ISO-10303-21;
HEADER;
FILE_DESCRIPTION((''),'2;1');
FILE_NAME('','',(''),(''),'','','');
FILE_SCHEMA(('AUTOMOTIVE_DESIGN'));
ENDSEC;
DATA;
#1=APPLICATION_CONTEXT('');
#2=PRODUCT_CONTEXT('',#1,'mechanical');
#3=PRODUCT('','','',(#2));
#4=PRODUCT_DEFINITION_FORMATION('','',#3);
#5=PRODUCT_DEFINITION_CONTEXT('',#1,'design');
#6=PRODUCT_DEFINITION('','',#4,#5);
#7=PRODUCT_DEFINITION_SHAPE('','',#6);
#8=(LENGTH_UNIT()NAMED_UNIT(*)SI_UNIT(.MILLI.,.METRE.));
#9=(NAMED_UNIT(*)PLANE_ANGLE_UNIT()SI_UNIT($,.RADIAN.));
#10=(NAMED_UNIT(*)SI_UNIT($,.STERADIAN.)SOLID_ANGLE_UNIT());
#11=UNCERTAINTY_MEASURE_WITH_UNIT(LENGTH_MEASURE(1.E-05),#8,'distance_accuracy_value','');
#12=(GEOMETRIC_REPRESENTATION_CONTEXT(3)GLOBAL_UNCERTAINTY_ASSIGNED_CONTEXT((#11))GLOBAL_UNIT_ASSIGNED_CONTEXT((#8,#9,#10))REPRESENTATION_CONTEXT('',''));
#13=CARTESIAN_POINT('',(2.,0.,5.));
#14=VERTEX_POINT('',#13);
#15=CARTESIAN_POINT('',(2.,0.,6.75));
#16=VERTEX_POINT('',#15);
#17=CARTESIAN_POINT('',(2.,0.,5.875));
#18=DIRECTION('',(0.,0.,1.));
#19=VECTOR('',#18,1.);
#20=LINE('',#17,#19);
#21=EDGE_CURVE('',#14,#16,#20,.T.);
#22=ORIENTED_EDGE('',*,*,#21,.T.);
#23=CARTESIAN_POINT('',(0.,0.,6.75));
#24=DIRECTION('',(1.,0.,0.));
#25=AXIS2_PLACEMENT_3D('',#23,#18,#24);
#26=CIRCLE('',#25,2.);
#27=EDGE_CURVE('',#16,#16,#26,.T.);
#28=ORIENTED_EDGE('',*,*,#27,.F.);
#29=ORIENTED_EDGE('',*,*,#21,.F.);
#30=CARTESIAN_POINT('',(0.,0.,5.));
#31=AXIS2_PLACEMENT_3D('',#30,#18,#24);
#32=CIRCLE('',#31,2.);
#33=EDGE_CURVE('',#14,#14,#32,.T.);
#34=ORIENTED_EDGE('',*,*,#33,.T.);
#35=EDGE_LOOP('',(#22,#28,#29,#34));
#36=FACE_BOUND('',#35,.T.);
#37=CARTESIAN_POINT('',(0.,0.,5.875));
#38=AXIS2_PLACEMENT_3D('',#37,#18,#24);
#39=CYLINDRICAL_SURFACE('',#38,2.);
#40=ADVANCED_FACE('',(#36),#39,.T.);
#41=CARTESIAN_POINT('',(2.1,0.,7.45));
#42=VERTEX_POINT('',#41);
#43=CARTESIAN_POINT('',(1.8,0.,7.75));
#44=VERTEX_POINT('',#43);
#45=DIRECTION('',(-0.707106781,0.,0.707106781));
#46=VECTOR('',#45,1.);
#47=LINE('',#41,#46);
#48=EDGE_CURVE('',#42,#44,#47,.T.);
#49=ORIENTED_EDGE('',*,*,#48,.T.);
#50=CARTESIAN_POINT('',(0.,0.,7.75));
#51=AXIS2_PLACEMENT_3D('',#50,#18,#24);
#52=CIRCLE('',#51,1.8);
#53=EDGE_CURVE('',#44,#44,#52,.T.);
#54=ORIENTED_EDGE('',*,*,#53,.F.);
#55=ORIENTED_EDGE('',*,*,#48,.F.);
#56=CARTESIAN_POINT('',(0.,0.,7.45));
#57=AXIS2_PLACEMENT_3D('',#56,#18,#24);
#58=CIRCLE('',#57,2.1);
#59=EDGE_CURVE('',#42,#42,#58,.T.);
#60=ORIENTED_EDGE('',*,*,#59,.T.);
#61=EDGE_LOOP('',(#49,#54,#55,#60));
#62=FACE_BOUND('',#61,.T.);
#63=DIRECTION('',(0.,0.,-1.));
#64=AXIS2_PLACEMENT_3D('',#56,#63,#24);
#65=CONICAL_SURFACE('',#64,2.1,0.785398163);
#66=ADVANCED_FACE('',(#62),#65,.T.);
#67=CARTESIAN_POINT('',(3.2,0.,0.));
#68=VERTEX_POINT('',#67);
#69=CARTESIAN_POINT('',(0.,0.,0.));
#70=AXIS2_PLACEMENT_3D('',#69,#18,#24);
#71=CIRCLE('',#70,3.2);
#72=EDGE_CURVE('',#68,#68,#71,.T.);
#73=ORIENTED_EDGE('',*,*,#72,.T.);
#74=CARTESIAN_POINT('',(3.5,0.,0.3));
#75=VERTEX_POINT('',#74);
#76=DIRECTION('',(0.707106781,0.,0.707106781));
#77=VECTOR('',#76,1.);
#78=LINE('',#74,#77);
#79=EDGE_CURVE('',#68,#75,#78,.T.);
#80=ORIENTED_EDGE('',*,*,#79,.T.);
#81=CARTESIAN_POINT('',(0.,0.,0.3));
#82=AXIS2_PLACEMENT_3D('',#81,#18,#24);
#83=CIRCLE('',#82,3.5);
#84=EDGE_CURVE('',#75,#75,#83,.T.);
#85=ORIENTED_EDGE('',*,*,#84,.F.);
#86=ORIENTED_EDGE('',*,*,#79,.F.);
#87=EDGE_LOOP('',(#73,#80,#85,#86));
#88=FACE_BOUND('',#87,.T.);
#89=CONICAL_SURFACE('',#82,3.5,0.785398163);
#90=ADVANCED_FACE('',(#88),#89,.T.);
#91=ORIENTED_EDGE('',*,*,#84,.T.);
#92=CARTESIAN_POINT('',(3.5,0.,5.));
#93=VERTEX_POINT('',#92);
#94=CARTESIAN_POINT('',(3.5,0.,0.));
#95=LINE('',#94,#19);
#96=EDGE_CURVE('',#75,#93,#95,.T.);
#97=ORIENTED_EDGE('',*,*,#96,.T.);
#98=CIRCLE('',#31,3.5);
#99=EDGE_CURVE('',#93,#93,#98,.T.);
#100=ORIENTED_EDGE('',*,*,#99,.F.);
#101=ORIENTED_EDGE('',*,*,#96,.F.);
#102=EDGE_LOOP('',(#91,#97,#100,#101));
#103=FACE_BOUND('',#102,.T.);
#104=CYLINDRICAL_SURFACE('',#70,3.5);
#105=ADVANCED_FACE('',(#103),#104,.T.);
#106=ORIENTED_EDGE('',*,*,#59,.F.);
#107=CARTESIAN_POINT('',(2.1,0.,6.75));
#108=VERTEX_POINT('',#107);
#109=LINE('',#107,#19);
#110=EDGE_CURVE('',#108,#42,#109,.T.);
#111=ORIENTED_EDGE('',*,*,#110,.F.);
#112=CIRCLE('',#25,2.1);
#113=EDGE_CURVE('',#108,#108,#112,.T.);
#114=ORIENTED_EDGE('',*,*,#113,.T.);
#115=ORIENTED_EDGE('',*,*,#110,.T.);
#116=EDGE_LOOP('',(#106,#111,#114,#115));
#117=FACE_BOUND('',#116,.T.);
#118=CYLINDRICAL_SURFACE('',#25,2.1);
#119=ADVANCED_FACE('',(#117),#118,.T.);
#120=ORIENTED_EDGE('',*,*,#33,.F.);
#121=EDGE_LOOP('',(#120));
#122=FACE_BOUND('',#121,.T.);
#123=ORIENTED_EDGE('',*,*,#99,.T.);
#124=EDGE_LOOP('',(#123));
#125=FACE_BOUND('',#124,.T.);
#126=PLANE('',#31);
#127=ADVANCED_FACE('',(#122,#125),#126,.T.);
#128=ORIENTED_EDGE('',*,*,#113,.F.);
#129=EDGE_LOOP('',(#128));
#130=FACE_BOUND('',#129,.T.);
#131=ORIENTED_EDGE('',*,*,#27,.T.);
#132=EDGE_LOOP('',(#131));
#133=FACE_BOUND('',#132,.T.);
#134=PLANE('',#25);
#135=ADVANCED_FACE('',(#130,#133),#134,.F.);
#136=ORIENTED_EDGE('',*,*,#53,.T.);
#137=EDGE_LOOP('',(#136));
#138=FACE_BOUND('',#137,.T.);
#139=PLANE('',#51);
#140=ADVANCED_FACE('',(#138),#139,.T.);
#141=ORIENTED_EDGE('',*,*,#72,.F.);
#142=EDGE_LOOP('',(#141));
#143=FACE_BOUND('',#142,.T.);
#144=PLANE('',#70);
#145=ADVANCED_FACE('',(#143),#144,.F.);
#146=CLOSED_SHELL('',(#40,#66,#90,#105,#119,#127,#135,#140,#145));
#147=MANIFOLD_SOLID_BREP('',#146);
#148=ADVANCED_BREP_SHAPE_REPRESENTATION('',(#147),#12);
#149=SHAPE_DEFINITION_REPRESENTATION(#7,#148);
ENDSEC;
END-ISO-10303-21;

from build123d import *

# Parameters (mm, degrees)
F0_W    = 2
F0_H    = 1.75
F2_SIZE = 0.3


with BuildPart() as f1:
    # F0 (on Front) → F1 (revolve)
    with BuildSketch(Plane.XZ):
        Polygon((0, 5), (0, 0), (3.5, 0), (3.5, 5), (2, 5), align=None)
        with Locations((1, 5.875)):
            Rectangle(F0_W, F0_H)
        Polygon((0, 7.75), (0, 6.75), (2, 6.75), (2.1, 6.75), (2.1, 7.75), align=None)
    revolve(axis=Axis((0, 0, 2.5), (0, 0, 1)))

    # F2
    f2_edges = [f1.edges().sort_by_distance(p)[0] for p in [
        (-2.1, 0, 7.75),
        (-3.5, 0, 0),
    ]]
    chamfer(f2_edges, length=F2_SIZE)


solid = f1.part
